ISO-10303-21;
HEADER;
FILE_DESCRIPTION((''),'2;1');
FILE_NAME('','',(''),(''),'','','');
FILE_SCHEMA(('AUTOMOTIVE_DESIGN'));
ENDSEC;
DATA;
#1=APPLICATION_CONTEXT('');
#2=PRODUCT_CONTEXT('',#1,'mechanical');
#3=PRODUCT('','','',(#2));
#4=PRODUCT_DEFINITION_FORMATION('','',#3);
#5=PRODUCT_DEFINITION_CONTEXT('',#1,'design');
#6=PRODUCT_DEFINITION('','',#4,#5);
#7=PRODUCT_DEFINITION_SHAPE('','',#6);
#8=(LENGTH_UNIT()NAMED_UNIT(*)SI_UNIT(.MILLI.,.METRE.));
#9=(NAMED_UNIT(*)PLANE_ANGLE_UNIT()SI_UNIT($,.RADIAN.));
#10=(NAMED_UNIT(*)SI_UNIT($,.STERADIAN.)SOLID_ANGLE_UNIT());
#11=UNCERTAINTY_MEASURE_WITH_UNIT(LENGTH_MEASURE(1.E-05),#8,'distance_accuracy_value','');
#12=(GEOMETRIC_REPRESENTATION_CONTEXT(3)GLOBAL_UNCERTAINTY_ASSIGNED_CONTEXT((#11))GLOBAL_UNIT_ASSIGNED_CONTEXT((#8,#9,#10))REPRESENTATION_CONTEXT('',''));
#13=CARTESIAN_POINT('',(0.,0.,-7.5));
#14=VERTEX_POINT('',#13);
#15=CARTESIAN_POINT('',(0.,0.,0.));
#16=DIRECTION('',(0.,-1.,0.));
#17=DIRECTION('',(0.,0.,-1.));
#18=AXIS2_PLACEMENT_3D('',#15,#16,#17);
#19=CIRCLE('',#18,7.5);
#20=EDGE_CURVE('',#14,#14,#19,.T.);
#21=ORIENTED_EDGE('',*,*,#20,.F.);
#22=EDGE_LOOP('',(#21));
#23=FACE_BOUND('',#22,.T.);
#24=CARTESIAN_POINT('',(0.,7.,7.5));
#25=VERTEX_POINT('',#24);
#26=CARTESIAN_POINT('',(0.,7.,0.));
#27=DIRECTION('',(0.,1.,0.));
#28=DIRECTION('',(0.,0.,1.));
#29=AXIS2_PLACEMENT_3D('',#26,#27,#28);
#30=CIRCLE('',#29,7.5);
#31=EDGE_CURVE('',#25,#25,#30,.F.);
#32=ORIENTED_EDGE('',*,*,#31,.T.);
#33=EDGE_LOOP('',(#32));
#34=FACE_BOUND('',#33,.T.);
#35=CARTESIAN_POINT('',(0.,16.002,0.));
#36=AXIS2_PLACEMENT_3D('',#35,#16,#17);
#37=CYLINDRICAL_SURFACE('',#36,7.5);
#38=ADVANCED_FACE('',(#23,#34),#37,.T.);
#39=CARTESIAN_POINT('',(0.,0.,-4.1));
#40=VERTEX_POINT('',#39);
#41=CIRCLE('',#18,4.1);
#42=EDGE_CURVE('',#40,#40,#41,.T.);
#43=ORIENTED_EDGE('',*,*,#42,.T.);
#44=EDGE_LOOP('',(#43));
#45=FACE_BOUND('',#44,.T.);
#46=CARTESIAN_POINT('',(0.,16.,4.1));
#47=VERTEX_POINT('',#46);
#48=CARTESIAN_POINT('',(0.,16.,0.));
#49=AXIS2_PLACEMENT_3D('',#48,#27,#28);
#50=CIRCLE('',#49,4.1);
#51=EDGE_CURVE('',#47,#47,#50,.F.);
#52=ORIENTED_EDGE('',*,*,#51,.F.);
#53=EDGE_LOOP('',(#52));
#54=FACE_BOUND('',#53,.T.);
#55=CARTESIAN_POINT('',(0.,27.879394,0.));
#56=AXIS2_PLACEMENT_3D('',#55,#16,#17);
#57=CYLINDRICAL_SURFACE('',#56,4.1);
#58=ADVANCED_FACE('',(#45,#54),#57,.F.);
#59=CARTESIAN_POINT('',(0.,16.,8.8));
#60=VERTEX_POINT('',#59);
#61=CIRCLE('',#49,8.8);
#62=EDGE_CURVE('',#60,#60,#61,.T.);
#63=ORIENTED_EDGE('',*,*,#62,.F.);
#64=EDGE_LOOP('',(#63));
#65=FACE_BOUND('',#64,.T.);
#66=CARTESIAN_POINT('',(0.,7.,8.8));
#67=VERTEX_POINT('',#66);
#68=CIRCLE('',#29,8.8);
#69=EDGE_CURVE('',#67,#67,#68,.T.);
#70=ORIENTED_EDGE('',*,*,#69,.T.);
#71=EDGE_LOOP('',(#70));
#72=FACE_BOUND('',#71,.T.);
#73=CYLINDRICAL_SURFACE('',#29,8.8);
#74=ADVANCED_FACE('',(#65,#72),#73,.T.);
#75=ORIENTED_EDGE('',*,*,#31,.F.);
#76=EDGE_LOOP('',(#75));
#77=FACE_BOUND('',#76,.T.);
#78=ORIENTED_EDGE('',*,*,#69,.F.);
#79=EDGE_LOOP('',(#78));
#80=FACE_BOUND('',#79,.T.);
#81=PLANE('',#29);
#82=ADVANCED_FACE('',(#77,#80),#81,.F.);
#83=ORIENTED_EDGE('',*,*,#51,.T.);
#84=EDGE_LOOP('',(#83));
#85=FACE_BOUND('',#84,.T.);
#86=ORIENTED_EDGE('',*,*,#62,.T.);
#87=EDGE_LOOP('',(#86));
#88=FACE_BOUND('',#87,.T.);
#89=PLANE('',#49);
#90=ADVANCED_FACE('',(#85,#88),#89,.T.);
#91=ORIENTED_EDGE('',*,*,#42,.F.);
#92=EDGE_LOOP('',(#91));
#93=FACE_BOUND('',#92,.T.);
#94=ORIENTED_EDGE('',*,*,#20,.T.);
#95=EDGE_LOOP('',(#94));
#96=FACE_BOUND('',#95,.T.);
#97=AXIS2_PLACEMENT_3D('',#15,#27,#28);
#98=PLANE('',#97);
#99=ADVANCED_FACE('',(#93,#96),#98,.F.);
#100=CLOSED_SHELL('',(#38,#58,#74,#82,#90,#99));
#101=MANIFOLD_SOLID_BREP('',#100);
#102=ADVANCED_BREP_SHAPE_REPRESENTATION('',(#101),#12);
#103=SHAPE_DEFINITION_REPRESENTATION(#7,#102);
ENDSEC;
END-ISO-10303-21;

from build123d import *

# Parameters (mm, degrees)
SKETCH1_R           = 7.3
SKETCH1_R_2         = 2.4
BOSS_EXTRUDE1_DEPTH = 10
SKETCH2_R           = 8.8
SKETCH2_R_2         = 7.3
BOSS_EXTRUDE2_DEPTH = 3
SKETCH3_R           = 8.8
SKETCH3_R_2         = 2.4
BOSS_EXTRUDE3_DEPTH = 6
SKETCH4_R           = 4.2
SKETCH4_R_2         = 2.4
CUT_EXTRUDE1_DEPTH  = 43
BOSS_EXTRUDE4_REACH = 18
SKETCH5_R           = 7.5
SKETCH5_R_2         = 7.3
SKETCH6_R           = 4.2
SKETCH6_R_2         = 4.1
BOSS_EXTRUDE5_DEPTH = 16


with BuildPart() as part:
    # Sketch1 → Boss-Extrude1 (new body)
    with BuildSketch(Plane(origin=(0, 0, 0), x_dir=(1, 0, 0), z_dir=(0, 1, 0))):
        Circle(SKETCH1_R)
        Circle(SKETCH1_R_2, mode=Mode.SUBTRACT)
    extrude(amount=BOSS_EXTRUDE1_DEPTH)

    # Sketch2 → Boss-Extrude2 (add)
    with BuildSketch(Plane(origin=(0, 10, 0), x_dir=(1, 0, 0), z_dir=(0, 1, 0))):
        Circle(SKETCH2_R)
        Circle(SKETCH2_R_2, mode=Mode.SUBTRACT)
    extrude(amount=-BOSS_EXTRUDE2_DEPTH)

    # Sketch3 → Boss-Extrude3 (add)
    with BuildSketch(Plane(origin=(0, 10, 0), x_dir=(1, 0, 0), z_dir=(0, 1, 0))):
        Circle(SKETCH3_R)
        Circle(SKETCH3_R_2, mode=Mode.SUBTRACT)
    extrude(amount=BOSS_EXTRUDE3_DEPTH)

    # Sketch4 → Cut-Extrude1 (cut)
    with BuildSketch(Plane(origin=(0, 16, 0), x_dir=(1, 0, 0), z_dir=(0, 1, 0))):
        Circle(SKETCH4_R)
        Circle(SKETCH4_R_2, mode=Mode.SUBTRACT)
    extrude(amount=-CUT_EXTRUDE1_DEPTH, mode=Mode.SUBTRACT)

    # Sketch5 → Boss-Extrude4 (add, up to next)
    with BuildSketch(Plane.XZ, mode=Mode.PRIVATE) as boss_extrude4_sk1:
        Circle(SKETCH5_R)
        Circle(SKETCH5_R_2, mode=Mode.SUBTRACT)
    boss_extrude4_tool1 = extrude(boss_extrude4_sk1.sketch, amount=-BOSS_EXTRUDE4_REACH, mode=Mode.PRIVATE) - part.part
    add(boss_extrude4_tool1.solids().sort_by_distance((-7.478787, 0, 0))[0])

    # Sketch6 → Boss-Extrude5 (add)
    with BuildSketch(Plane.XZ):
        Circle(SKETCH6_R)
        Circle(SKETCH6_R_2, mode=Mode.SUBTRACT)
    extrude(amount=-BOSS_EXTRUDE5_DEPTH)


solid = part.part
